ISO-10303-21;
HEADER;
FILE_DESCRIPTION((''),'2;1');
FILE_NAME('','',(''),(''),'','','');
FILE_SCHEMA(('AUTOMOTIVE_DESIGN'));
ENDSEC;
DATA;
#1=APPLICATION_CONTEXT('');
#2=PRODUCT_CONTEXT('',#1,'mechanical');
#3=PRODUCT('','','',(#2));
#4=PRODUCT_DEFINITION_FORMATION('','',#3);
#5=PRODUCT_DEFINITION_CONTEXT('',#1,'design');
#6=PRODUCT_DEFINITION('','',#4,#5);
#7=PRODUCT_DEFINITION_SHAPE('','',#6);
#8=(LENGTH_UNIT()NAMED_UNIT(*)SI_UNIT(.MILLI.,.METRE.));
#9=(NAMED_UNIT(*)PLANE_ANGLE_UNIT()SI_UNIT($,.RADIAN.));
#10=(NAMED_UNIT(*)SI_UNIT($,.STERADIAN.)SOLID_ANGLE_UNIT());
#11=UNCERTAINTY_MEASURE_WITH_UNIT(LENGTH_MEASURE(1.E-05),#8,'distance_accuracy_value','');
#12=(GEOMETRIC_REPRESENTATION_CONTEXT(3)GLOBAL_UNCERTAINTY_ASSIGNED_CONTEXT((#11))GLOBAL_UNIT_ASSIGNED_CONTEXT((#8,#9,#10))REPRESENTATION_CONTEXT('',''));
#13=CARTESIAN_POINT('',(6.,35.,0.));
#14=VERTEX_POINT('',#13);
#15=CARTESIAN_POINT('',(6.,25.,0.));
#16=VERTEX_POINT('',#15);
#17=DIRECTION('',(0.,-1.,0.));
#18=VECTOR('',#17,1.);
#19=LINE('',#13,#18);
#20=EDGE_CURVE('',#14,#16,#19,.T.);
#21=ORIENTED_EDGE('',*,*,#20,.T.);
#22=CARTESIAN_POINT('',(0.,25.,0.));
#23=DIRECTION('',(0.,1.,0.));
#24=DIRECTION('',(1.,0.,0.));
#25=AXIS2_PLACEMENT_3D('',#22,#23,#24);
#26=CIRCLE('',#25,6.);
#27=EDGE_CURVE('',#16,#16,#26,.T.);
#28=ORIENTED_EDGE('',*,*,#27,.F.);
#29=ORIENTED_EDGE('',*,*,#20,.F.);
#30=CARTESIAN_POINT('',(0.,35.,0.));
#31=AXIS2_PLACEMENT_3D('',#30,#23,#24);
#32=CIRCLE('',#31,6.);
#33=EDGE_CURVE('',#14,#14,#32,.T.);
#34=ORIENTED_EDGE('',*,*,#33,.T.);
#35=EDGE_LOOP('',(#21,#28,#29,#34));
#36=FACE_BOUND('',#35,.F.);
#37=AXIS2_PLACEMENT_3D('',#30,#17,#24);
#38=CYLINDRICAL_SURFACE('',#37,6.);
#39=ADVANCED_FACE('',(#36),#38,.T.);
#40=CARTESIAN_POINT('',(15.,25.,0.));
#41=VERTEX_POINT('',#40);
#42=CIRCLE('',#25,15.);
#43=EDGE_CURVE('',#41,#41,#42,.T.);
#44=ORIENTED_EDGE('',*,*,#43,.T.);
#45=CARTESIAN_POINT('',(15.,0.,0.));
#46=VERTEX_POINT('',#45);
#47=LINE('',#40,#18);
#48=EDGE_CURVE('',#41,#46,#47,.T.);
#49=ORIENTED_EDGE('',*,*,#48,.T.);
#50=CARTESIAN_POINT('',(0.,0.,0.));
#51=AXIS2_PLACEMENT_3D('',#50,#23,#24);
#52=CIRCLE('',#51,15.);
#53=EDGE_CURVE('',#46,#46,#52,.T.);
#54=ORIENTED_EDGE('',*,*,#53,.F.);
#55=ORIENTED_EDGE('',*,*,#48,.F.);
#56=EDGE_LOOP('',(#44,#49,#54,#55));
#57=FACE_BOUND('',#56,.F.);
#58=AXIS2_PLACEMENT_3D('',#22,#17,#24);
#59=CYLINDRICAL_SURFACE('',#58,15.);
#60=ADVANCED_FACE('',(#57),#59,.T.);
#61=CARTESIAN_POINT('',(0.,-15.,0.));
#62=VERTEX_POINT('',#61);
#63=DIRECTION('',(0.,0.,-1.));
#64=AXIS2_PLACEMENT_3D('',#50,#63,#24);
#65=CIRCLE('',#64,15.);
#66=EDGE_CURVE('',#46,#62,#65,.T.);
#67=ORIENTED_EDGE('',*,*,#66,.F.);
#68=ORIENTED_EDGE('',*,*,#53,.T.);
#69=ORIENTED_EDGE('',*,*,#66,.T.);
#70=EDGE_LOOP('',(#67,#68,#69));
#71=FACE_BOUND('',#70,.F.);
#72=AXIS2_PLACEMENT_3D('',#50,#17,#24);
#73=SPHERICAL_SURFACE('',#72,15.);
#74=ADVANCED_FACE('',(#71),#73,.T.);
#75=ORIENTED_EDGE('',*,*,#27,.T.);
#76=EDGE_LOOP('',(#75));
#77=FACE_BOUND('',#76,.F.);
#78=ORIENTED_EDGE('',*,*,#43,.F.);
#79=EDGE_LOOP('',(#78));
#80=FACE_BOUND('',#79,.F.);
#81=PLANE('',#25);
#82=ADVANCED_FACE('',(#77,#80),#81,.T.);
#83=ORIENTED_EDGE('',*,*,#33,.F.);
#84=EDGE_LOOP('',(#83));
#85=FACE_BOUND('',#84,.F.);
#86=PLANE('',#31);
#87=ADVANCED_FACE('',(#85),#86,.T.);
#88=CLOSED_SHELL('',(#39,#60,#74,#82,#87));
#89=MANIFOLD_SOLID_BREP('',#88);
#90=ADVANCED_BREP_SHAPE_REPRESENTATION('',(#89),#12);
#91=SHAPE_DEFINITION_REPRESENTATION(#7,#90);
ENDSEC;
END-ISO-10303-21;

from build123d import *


with BuildPart() as part:
    # Sketch1 → Revolve2 (revolve)
    with BuildSketch(Plane.XY, mode=Mode.PRIVATE) as revolve2_sk:
        with BuildLine():
            Line((0, -15), (0, 0))
            Line((0, 0), (-15, 0))
            ThreePointArc((-15, 0), (-10.606601718, -10.606601718), (0, -15))
        make_face()
        Polygon((-15, 0), (0, 0), (0, 35), (-6, 35), (-6, 25), (-15, 25), align=None)
    revolve(revolve2_sk.sketch.rotate(Axis((0, -15, 0), (0, 1, 0)), 180), axis=Axis((0, -15, 0), (0, 1, 0)))  # turned: the seam where the file's is


solid = part.part
